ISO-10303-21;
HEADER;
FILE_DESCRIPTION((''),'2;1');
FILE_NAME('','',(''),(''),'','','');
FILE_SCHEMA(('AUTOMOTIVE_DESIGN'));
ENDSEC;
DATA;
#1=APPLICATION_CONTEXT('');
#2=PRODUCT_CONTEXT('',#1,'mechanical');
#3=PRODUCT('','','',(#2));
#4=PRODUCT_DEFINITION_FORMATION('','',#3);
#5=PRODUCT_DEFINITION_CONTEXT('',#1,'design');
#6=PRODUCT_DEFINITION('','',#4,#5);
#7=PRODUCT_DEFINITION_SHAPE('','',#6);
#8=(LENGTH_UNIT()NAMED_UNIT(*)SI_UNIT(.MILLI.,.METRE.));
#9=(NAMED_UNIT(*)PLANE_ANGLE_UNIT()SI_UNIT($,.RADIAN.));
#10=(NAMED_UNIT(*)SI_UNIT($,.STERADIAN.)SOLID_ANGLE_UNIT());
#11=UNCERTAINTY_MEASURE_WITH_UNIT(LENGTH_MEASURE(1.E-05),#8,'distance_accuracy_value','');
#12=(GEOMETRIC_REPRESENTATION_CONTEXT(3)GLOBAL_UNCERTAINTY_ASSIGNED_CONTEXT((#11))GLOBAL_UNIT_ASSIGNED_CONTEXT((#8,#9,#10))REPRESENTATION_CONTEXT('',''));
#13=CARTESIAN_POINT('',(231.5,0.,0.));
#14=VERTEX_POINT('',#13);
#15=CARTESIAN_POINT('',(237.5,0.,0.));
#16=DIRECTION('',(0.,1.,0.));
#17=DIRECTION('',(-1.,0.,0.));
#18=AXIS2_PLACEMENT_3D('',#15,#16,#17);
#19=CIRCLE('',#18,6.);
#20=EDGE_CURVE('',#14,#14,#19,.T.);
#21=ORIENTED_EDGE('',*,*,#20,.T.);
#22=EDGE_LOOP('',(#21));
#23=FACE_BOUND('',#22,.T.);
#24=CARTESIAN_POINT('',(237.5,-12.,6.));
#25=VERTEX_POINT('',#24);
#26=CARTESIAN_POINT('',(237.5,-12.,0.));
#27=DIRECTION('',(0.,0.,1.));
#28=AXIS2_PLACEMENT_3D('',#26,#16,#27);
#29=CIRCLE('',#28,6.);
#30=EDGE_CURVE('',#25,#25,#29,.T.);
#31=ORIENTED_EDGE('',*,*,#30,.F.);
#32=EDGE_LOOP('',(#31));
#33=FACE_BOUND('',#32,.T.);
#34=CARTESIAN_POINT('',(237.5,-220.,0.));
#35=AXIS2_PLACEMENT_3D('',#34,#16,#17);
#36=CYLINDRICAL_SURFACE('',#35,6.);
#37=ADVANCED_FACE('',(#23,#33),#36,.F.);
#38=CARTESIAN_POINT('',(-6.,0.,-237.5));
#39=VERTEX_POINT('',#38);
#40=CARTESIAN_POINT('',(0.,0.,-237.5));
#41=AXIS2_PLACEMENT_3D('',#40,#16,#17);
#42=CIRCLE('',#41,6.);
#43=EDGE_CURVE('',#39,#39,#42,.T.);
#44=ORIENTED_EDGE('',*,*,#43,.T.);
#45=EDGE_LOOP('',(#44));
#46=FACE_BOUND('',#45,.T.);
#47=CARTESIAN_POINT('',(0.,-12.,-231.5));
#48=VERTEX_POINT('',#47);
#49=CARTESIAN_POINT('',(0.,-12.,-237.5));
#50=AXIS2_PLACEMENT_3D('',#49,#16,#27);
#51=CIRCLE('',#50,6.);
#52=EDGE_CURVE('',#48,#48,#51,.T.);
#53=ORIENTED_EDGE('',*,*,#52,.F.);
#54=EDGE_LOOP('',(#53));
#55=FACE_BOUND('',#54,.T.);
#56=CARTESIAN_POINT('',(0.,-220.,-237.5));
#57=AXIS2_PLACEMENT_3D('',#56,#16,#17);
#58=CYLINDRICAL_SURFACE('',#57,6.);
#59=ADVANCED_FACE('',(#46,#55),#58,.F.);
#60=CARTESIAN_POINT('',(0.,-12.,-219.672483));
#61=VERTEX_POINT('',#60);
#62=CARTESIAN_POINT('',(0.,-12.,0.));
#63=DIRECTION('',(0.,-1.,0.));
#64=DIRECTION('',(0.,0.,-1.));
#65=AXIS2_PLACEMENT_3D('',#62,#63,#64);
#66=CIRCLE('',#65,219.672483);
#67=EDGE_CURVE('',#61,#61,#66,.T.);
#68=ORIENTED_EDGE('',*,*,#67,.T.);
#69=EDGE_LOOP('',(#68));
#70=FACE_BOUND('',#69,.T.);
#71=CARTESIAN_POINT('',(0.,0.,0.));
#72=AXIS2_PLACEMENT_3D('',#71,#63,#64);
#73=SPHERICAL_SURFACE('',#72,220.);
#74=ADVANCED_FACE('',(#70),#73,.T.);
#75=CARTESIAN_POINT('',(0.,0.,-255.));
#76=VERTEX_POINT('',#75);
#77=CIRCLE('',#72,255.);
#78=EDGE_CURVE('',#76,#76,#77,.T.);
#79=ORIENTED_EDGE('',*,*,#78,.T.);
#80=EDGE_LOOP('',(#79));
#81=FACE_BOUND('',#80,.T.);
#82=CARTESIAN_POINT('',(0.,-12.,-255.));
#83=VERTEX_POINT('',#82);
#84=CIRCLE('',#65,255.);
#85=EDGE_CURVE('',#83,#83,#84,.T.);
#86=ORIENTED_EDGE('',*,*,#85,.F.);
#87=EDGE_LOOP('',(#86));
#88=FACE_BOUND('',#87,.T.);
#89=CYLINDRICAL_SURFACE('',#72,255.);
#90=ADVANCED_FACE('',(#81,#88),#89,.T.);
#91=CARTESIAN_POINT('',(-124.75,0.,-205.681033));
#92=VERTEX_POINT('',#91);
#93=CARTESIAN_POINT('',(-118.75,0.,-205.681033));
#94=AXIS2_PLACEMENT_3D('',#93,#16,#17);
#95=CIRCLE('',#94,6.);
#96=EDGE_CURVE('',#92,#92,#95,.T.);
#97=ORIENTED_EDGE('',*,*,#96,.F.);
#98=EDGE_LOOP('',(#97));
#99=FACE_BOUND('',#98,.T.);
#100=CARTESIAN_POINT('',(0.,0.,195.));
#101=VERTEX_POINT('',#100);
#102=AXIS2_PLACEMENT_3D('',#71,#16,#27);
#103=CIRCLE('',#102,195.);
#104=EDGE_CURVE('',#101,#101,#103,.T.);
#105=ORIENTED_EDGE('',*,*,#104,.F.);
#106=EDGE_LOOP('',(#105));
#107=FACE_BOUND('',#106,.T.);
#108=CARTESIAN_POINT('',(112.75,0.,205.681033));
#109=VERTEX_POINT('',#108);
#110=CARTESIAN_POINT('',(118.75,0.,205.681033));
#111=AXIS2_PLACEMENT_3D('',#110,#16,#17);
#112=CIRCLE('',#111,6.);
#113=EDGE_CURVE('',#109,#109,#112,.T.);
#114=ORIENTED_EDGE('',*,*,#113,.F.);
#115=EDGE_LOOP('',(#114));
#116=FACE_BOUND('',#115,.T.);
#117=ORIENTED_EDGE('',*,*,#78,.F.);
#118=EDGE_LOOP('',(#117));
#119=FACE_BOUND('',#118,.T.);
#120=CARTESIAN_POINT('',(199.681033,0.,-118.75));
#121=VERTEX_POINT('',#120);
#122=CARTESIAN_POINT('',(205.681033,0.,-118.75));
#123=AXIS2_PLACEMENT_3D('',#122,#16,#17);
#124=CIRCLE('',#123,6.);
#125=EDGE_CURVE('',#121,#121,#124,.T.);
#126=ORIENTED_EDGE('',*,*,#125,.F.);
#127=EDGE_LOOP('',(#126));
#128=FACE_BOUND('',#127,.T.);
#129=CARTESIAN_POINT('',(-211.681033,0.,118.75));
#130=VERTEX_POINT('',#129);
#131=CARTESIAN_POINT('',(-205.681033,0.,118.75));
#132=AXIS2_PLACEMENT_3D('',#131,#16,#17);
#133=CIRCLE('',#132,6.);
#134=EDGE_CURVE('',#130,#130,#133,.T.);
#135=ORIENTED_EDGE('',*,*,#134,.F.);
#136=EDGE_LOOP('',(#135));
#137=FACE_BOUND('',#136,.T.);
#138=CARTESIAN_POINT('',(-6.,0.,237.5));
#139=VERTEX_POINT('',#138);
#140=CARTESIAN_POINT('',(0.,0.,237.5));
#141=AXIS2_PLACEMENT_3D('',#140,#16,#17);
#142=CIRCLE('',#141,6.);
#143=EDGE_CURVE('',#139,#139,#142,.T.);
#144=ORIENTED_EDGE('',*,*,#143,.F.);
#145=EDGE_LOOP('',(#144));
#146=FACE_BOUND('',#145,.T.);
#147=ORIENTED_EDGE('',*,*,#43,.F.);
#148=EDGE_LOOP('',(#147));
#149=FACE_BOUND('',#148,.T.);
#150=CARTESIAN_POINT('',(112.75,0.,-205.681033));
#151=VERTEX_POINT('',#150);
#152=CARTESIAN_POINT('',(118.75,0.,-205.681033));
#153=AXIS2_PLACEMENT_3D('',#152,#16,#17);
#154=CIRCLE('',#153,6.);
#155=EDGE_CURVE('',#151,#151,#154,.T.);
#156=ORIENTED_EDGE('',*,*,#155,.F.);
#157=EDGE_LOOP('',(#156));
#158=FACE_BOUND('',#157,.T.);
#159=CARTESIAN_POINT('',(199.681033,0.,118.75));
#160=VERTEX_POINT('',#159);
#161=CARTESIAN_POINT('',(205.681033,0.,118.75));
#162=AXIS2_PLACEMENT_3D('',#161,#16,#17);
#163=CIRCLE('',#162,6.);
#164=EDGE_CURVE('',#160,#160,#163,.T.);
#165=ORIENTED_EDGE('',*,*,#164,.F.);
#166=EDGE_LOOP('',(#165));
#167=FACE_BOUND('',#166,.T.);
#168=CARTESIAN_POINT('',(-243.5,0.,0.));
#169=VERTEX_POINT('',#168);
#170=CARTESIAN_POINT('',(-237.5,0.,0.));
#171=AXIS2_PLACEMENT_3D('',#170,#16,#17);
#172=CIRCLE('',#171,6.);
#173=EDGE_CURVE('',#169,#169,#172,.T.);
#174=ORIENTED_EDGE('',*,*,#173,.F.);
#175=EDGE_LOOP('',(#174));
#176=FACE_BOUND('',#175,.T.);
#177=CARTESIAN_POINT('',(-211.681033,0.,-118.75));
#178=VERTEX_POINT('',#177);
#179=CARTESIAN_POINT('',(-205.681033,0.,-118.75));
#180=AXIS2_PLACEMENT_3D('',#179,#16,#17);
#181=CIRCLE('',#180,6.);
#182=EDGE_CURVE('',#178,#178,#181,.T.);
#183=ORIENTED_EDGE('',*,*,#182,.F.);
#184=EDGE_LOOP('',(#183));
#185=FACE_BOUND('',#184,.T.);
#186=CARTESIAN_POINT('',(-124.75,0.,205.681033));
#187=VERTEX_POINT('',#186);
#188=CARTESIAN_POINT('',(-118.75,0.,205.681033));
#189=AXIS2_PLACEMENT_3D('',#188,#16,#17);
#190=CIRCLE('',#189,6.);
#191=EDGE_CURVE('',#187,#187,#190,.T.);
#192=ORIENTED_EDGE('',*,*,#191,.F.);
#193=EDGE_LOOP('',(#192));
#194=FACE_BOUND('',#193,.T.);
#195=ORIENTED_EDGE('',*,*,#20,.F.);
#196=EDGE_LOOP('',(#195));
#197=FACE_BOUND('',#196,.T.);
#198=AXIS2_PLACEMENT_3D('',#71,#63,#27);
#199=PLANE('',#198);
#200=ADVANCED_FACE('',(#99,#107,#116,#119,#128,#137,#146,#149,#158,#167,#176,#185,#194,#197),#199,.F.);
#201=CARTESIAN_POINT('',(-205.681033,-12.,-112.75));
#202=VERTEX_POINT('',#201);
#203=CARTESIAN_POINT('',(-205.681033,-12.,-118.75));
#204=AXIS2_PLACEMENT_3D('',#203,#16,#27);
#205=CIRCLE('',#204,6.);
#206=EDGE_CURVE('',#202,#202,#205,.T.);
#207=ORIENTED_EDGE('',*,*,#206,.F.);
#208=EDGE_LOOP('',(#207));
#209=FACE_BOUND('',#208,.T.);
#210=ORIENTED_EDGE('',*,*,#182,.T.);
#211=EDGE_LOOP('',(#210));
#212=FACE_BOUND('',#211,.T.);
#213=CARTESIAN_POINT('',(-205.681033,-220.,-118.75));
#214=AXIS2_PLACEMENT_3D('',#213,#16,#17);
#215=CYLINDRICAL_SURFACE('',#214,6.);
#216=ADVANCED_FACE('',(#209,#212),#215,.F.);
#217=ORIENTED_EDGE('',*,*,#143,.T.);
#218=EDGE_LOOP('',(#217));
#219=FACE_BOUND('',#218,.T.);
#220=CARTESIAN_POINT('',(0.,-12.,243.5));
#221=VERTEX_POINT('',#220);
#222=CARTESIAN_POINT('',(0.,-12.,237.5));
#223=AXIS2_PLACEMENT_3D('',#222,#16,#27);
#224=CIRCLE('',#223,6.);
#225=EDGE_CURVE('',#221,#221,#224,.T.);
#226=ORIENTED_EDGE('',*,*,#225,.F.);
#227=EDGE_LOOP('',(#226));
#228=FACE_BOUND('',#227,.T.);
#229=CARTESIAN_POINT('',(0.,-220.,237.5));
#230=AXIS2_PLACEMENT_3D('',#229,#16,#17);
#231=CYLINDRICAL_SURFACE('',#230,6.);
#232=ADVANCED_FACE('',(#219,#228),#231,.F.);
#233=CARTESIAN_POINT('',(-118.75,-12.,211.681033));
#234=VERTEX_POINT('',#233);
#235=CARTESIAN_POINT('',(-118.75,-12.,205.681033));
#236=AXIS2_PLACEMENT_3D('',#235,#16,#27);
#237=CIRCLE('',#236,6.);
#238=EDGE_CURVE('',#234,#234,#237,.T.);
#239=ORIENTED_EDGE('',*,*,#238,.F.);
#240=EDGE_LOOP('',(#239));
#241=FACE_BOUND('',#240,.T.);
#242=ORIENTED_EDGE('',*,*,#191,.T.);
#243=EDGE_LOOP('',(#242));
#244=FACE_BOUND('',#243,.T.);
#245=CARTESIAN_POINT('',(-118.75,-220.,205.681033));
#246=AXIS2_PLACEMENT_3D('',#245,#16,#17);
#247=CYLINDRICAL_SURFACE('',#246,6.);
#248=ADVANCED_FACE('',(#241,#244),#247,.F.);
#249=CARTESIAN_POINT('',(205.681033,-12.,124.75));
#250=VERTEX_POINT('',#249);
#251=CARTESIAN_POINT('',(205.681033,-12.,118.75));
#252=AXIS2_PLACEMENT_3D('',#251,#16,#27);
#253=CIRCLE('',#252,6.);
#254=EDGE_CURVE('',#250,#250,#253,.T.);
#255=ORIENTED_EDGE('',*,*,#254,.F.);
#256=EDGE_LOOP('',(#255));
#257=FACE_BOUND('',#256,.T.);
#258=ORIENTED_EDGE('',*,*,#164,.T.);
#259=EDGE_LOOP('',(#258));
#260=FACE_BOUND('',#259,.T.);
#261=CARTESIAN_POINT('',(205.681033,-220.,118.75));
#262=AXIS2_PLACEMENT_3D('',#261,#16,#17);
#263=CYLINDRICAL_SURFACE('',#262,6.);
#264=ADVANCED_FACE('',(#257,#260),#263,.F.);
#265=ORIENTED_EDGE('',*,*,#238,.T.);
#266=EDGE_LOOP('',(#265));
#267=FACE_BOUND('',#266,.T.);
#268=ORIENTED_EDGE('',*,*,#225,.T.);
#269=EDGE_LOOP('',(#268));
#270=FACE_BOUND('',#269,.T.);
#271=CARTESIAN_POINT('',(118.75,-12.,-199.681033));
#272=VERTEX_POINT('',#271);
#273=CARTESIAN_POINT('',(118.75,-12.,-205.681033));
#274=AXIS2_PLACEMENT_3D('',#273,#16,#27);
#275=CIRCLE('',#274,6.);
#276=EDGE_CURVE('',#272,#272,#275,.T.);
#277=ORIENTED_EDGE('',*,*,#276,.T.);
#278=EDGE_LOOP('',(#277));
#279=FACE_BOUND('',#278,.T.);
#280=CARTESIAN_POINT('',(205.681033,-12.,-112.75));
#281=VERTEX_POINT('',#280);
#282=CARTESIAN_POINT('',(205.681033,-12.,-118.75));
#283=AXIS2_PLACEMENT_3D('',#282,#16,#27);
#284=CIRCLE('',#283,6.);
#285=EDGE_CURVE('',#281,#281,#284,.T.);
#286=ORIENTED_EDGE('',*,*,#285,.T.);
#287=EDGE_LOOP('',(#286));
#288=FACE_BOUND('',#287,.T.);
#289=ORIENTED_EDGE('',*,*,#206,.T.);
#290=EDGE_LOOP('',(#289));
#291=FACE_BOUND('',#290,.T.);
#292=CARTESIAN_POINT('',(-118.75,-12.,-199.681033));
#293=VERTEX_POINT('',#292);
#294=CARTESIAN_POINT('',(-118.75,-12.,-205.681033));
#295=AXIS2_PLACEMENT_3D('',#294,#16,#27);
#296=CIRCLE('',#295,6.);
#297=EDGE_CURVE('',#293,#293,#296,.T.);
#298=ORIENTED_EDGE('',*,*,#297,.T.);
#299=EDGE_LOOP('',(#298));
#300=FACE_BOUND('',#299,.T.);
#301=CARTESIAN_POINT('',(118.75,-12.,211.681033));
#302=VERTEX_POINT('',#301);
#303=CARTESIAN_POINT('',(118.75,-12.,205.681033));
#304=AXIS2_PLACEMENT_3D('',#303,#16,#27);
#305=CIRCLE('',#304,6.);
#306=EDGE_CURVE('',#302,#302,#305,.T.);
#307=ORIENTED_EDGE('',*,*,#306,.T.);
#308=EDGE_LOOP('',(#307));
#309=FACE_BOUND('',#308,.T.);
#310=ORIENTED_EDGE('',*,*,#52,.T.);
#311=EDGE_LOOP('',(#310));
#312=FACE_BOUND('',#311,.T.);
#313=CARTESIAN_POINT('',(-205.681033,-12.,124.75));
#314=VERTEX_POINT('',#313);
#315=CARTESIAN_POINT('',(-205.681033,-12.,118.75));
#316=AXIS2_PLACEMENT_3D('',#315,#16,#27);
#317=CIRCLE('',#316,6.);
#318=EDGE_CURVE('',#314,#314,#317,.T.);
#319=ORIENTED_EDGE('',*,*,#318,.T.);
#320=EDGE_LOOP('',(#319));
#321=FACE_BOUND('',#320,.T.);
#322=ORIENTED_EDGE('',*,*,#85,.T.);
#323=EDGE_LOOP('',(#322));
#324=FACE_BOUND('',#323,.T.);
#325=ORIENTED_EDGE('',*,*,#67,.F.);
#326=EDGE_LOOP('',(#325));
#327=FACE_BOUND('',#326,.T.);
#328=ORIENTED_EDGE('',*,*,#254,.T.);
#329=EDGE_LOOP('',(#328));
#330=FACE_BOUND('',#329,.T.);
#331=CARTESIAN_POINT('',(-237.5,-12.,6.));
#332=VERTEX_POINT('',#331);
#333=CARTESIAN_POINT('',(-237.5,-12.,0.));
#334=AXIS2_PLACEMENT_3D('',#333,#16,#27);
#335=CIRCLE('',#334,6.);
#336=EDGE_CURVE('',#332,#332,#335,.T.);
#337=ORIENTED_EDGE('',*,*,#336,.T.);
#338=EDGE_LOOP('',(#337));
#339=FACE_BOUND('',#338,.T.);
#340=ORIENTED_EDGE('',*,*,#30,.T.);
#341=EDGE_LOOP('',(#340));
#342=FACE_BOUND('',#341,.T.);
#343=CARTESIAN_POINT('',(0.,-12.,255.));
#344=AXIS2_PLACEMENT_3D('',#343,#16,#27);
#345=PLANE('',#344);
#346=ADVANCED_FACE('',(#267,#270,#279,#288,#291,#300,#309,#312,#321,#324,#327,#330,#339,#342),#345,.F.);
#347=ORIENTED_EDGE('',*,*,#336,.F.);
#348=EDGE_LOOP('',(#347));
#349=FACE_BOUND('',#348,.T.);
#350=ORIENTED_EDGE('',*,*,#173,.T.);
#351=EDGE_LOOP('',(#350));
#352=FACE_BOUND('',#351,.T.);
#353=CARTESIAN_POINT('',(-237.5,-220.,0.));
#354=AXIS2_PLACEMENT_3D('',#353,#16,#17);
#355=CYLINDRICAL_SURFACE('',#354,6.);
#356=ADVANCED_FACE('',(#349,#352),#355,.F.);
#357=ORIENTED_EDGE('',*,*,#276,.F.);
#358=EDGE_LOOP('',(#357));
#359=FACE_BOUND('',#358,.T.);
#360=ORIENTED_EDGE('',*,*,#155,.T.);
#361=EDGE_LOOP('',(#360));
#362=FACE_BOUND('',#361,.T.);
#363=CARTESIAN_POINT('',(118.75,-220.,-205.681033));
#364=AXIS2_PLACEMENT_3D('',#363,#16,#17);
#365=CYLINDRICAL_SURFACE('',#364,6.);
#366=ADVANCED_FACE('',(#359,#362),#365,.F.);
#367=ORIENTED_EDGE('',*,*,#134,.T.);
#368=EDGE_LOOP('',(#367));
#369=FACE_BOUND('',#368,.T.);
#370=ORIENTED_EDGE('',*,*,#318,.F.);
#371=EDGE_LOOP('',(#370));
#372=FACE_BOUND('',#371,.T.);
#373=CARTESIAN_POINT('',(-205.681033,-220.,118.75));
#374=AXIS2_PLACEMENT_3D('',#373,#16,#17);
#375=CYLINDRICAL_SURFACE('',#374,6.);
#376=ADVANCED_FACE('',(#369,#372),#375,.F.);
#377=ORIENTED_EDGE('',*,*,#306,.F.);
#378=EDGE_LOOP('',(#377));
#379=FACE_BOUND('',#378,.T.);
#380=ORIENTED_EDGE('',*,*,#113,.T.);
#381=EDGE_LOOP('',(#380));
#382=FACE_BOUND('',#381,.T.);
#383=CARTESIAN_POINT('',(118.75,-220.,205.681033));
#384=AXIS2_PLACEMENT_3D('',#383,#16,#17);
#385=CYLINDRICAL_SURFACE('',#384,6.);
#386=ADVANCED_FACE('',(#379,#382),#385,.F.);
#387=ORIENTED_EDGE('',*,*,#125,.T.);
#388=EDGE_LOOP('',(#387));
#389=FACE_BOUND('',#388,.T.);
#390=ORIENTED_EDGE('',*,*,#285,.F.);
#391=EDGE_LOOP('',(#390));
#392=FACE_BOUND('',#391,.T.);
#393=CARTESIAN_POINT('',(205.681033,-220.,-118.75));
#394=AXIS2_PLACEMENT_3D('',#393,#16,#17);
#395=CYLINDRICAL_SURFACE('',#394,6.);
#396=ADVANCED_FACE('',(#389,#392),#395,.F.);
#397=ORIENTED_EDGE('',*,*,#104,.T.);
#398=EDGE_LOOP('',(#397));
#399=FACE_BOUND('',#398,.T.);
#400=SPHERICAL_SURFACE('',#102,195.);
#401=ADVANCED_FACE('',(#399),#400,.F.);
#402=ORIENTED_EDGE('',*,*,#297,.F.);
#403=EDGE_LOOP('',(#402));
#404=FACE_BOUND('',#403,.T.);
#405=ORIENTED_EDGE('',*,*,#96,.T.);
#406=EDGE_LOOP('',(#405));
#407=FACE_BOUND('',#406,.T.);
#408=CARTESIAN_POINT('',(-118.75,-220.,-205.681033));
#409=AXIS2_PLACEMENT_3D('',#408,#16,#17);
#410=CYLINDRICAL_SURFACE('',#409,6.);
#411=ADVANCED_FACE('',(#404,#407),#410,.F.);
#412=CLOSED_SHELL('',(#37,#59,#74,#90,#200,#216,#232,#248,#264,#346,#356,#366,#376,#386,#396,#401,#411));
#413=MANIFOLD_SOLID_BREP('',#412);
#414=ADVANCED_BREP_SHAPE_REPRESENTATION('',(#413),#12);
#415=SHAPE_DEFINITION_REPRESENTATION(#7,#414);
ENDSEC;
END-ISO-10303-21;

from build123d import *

# Parameters (mm, degrees)
REVOLVE1_ANGLE     = 180
SKETCH10_R         = 6
CUT_EXTRUDE1_DEPTH = 423.433426708


with BuildPart() as part:
    # Sketch1 → Revolve1 (revolve)
    with BuildSketch(Plane(origin=(0, 0, 0), x_dir=(1, 0, 0), z_dir=(0, 1, 0))):
        with BuildLine():
            Line((0, 220), (0, 195))
            ThreePointArc((0, 195), (-195, 0), (0, -195))
            Line((0, -195), (0, -220))
            ThreePointArc((0, -220), (-220, 0), (0, 220))
        make_face()
    revolve(axis=Axis((0, 0, -220), (0, 0, 1)), revolution_arc=REVOLVE1_ANGLE)

    # Sketch3 → Revolve2 (revolve)
    with BuildSketch(Plane(origin=(0, 0, 0), x_dir=(0, 0, -1), z_dir=(1, 0, 0)), mode=Mode.PRIVATE) as revolve2_sk:
        with BuildLine():
            Line((-220, 0), (-255, 0))
            Line((-255, 0), (-255, -12))
            Line((-255, -12), (-219.672483484, -12))
            ThreePointArc((-219.672483484, -12), (-219.918105629, -6.002234315), (-220, 0))
        make_face()
    revolve(revolve2_sk.sketch.rotate(Axis((0, 0, 0), (0, 1, 0)), 180), axis=Axis((0, 0, 0), (0, 1, 0)))

    # Sketch10 → Cut-Extrude1 (cut, through all)
    with BuildSketch(Plane(origin=(0, 0, 0), x_dir=(1, 0, 0), z_dir=(0, 1, 0))):
        with Locations(Location((0, 237.5, 0), (0, 0, 180))):
            Circle(SKETCH10_R)
        with Locations(Location((-118.75, 205.681033399, 0), (0, 0, 180))):
            Circle(SKETCH10_R)
        with Locations(Location((-205.681033399, 118.75, 0), (0, 0, 180))):
            Circle(SKETCH10_R)
        with Locations(Location((-237.5, 0, 0), (0, 0, 180))):
            Circle(SKETCH10_R)
        with Locations(Location((-205.681033399, -118.75, 0), (0, 0, 180))):
            Circle(SKETCH10_R)
        with Locations(Location((-118.75, -205.681033399, 0), (0, 0, 180))):
            Circle(SKETCH10_R)
        with Locations(Location((0, -237.5, 0), (0, 0, 180))):
            Circle(SKETCH10_R)
        with Locations(Location((118.75, -205.681033399, 0), (0, 0, 180))):
            Circle(SKETCH10_R)
        with Locations(Location((205.681033399, -118.75, 0), (0, 0, 180))):
            Circle(SKETCH10_R)
        with Locations(Location((237.5, 0, 0), (0, 0, 180))):
            Circle(SKETCH10_R)
        with Locations(Location((205.681033399, 118.75, 0), (0, 0, 180))):
            Circle(SKETCH10_R)
        with Locations(Location((118.75, 205.681033399, 0), (0, 0, 180))):
            Circle(SKETCH10_R)
    extrude(amount=-CUT_EXTRUDE1_DEPTH, mode=Mode.SUBTRACT)


solid = part.part
